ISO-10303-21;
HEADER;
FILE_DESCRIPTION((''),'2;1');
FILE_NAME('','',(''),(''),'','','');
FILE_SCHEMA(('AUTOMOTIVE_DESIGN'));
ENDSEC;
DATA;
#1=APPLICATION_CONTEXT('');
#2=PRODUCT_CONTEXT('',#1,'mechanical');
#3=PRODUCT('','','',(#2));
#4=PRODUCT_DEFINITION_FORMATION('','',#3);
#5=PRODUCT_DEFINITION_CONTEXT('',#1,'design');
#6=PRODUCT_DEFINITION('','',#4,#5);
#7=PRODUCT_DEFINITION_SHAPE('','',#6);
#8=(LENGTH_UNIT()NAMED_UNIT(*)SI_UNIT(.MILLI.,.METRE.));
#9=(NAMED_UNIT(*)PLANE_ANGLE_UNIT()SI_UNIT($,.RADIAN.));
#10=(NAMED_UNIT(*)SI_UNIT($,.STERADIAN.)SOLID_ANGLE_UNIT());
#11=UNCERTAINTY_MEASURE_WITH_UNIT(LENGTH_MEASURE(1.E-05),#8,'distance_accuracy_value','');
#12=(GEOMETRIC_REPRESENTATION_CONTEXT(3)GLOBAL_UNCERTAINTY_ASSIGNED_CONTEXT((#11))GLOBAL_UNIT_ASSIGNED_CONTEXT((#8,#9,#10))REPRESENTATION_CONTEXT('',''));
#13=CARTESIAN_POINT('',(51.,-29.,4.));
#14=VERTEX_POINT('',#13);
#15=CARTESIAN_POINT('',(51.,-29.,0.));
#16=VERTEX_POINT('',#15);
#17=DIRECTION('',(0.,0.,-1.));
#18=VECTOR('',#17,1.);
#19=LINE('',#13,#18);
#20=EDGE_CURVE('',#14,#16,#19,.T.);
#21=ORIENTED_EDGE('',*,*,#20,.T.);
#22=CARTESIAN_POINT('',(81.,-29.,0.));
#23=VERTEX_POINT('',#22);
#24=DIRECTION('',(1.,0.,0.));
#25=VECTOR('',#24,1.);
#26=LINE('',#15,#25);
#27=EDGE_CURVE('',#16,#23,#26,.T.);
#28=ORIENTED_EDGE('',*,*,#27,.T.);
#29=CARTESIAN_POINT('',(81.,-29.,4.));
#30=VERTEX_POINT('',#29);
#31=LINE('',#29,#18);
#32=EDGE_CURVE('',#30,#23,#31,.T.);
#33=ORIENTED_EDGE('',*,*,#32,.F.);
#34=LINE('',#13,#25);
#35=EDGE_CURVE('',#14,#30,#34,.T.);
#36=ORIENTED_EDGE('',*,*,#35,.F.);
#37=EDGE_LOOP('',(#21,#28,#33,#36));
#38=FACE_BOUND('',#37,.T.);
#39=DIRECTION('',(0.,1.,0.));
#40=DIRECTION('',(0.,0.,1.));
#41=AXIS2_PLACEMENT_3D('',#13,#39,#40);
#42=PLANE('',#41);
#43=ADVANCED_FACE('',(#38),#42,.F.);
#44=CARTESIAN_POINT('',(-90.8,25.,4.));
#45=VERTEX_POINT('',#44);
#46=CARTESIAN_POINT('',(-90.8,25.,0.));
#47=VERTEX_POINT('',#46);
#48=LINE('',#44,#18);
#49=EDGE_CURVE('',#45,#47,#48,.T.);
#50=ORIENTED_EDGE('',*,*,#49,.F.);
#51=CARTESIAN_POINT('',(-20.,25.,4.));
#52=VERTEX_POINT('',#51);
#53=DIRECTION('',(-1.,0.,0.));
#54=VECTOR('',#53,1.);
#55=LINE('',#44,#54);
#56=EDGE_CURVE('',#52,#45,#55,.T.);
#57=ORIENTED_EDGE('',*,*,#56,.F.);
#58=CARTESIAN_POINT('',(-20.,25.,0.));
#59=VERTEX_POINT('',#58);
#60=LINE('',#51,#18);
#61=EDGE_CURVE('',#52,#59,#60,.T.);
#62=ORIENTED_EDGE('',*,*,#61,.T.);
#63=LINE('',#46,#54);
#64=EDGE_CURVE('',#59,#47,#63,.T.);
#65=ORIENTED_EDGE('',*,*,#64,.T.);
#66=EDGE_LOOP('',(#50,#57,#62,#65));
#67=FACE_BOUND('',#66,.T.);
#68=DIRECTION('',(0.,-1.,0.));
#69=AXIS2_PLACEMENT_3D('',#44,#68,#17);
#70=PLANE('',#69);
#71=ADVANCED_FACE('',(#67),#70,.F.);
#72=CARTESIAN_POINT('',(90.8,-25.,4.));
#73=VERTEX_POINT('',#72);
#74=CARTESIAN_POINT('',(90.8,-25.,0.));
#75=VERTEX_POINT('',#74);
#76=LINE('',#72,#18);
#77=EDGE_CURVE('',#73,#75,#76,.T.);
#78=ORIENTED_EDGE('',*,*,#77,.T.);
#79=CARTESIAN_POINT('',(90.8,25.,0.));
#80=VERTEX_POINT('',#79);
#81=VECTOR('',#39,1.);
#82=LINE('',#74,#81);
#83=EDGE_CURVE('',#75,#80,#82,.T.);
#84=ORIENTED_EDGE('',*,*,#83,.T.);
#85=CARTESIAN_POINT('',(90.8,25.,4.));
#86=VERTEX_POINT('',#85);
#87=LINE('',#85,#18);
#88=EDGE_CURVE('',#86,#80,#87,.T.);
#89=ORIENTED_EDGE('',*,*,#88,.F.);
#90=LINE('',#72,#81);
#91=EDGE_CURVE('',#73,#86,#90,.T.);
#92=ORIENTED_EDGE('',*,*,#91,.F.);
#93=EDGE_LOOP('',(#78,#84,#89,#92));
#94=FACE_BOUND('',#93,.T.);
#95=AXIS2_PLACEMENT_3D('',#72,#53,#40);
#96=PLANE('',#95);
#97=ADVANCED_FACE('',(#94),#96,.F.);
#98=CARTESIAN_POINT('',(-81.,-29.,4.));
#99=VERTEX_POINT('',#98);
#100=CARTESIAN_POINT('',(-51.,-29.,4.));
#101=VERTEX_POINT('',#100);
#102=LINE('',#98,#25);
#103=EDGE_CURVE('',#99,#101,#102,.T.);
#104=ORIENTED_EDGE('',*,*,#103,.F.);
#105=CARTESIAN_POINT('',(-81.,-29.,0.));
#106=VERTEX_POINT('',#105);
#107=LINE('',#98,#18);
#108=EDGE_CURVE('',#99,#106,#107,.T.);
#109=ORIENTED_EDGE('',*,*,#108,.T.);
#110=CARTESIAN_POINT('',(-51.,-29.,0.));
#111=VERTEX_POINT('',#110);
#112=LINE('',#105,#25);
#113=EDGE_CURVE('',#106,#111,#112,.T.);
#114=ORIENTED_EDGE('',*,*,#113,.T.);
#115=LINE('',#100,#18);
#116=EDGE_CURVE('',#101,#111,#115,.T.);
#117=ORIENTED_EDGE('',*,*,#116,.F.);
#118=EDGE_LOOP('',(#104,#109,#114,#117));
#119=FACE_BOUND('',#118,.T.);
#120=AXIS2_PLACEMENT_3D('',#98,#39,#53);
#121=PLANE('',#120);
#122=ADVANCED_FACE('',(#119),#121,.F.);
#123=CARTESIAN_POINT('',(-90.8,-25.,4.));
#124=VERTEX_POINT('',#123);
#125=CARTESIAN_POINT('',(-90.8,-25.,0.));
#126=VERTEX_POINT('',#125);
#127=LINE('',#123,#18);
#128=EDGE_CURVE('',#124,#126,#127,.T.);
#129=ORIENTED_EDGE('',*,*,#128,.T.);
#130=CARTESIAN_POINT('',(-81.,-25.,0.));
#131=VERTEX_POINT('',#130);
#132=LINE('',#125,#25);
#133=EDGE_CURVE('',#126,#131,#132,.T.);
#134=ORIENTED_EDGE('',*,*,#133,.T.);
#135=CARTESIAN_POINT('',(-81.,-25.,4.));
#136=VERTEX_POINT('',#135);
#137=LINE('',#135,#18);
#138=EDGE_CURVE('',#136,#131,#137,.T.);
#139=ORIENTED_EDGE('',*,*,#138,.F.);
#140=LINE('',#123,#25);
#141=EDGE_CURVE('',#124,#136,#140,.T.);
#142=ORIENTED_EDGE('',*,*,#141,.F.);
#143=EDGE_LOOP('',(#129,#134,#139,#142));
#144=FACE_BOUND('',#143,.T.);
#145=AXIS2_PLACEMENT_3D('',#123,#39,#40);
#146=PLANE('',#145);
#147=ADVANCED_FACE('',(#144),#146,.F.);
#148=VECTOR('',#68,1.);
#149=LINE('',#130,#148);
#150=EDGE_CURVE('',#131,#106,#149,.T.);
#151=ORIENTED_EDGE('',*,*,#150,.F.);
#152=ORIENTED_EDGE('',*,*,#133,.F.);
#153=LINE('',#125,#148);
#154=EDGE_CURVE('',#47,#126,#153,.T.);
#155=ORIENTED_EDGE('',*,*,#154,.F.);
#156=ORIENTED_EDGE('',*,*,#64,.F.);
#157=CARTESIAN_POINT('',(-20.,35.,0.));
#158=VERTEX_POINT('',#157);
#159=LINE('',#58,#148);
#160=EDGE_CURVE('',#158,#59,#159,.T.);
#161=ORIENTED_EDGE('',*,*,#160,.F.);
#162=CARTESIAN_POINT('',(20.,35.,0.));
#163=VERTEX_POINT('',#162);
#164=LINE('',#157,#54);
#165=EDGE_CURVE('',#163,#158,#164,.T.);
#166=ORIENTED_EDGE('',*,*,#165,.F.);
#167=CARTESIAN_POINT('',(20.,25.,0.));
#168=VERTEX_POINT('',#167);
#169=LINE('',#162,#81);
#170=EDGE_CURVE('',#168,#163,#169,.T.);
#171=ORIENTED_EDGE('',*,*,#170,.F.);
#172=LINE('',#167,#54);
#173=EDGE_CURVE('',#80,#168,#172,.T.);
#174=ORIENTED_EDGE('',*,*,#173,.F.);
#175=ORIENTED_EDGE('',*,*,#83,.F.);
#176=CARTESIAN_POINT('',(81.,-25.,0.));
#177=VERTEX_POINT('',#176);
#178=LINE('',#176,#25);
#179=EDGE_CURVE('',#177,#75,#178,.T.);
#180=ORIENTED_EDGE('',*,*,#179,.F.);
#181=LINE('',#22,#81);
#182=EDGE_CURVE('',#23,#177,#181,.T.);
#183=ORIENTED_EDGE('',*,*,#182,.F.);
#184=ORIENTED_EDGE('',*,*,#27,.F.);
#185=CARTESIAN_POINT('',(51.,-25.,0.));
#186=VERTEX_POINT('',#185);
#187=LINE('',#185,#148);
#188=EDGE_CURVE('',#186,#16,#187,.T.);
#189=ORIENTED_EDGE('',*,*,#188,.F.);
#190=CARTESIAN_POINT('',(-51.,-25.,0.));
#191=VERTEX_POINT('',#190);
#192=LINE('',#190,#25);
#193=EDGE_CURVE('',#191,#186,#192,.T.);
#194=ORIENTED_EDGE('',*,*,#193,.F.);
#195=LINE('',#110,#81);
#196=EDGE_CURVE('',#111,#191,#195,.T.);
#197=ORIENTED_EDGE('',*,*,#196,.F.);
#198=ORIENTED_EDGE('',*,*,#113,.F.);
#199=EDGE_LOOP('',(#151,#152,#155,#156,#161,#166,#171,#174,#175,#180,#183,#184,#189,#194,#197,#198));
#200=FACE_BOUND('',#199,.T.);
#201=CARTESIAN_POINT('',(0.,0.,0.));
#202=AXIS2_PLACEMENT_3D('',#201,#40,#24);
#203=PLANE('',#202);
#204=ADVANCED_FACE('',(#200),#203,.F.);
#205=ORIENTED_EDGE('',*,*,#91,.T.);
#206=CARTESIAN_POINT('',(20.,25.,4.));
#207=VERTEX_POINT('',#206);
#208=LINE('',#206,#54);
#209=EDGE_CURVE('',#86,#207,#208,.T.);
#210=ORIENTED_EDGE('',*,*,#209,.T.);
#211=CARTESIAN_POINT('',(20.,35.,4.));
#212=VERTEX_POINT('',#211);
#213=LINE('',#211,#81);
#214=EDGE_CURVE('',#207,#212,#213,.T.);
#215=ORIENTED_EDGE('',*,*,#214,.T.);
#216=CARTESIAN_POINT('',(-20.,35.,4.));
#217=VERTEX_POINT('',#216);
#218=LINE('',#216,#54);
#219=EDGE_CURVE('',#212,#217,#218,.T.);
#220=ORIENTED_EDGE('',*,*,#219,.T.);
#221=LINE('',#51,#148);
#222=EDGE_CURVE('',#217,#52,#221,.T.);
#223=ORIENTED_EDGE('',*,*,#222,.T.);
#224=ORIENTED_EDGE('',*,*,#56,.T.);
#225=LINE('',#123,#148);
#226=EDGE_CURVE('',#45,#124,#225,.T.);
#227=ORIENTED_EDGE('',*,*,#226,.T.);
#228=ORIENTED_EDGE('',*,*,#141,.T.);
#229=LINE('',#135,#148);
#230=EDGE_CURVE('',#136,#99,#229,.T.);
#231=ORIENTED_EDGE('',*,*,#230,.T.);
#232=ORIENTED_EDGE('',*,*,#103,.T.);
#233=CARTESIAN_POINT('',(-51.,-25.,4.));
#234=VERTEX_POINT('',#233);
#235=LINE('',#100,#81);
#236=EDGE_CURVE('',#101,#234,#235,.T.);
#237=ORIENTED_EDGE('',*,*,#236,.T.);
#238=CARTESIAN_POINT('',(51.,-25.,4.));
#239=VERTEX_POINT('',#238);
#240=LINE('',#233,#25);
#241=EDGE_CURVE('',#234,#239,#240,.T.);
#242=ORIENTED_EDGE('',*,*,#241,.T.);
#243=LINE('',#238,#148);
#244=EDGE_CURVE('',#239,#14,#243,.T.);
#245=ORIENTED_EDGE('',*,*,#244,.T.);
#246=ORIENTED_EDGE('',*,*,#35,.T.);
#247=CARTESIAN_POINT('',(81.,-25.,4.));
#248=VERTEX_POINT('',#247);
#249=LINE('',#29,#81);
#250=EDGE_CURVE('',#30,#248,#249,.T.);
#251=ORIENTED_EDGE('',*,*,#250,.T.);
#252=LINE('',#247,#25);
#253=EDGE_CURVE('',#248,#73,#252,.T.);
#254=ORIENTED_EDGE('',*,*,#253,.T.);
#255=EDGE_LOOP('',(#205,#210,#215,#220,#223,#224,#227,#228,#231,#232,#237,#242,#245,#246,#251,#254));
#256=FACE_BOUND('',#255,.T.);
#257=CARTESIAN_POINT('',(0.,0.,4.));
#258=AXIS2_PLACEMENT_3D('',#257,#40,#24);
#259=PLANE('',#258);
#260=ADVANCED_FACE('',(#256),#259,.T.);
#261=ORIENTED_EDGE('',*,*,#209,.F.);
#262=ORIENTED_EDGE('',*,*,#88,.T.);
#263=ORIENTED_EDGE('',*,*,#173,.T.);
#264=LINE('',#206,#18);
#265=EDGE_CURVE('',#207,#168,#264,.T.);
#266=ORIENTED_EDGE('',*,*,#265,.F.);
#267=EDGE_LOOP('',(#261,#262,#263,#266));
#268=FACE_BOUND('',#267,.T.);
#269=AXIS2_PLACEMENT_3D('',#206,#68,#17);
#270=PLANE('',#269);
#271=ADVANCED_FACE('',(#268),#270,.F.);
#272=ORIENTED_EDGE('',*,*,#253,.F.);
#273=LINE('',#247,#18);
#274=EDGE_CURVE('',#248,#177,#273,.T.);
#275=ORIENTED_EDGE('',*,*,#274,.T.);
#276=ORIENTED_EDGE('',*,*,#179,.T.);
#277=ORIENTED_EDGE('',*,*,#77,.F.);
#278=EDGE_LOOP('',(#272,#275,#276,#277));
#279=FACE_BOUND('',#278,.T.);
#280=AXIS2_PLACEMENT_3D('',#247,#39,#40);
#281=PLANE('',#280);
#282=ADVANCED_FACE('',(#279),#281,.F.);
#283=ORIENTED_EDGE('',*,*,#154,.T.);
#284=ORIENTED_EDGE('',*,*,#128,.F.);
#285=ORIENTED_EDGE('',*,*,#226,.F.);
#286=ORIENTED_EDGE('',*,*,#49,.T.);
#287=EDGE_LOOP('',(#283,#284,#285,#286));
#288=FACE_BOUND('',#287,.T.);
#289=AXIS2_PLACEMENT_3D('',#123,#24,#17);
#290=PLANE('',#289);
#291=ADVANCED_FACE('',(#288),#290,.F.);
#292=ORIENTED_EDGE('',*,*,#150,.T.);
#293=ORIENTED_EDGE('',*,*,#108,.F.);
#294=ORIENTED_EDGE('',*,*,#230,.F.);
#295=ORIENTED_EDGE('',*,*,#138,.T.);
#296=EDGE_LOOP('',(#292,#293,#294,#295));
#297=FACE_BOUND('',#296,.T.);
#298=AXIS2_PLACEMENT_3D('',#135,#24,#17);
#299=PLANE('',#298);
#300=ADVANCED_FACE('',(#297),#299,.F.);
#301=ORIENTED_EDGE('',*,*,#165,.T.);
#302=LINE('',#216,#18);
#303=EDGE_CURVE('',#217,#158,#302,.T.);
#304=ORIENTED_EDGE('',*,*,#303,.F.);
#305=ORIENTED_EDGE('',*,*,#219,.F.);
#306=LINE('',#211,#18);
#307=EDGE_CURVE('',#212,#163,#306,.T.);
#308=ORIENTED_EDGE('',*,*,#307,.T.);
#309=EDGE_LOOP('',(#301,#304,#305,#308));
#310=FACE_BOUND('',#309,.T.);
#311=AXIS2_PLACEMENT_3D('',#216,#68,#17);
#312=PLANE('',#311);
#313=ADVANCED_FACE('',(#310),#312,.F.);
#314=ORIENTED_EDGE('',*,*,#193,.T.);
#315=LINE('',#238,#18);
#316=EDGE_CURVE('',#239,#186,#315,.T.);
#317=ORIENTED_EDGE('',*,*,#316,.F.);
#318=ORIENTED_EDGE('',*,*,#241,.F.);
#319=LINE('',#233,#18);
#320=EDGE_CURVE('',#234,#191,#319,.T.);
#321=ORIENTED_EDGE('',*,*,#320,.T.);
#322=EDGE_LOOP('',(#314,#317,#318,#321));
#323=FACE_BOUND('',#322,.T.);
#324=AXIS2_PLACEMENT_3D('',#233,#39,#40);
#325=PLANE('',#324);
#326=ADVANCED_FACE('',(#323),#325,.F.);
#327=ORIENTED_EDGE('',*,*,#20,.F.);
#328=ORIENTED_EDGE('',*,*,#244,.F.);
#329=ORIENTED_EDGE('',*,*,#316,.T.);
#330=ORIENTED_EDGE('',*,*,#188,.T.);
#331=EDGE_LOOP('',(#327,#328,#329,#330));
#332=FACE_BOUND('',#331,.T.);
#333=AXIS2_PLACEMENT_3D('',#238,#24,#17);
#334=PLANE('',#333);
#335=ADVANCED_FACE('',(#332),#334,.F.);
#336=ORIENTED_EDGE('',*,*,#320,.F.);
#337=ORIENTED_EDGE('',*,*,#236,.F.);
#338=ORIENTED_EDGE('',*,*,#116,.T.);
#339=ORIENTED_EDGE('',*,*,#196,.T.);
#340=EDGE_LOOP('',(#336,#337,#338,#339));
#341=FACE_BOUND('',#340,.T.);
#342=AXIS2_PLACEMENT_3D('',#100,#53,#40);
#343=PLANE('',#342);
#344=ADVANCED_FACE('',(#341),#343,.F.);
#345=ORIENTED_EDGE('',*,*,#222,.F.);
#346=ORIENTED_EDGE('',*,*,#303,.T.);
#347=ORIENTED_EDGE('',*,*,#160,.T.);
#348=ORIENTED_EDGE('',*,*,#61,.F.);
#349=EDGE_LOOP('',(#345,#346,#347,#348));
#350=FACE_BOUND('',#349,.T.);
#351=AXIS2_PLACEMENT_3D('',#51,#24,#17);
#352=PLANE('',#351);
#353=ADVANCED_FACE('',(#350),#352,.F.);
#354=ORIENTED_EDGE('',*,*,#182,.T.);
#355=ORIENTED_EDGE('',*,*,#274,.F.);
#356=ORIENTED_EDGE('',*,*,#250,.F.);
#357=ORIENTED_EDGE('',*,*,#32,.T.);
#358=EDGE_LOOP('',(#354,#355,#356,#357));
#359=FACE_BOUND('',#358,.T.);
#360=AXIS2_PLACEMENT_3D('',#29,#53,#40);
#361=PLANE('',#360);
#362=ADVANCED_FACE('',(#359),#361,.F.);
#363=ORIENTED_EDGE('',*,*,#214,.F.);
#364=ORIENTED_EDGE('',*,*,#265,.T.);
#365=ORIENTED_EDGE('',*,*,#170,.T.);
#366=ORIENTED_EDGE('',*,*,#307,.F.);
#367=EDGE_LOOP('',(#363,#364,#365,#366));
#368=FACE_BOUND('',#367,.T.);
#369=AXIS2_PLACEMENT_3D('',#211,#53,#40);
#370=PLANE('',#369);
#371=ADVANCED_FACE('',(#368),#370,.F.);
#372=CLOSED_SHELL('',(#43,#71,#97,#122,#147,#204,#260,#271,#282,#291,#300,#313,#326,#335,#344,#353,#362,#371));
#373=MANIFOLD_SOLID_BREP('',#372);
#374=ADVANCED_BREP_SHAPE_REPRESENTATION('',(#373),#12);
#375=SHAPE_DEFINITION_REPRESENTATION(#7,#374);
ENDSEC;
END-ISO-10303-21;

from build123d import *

# Parameters (mm, degrees)
SALIENTE_EXTRUIR1_DEPTH = 4


with BuildPart() as part:
    # Croquis1 → Saliente-Extruir1 (new body)
    with BuildSketch(Plane.XY):
        Polygon((-81, -25), (-81, -29), (-51, -29), (-51, -25), (51, -25), (51, -29), (81, -29), (81, -25), (90.8, -25), (90.8, 25), (20, 25), (20, 35), (-20, 35), (-20, 25), (-90.8, 25), (-90.8, -25), align=None)
    extrude(amount=SALIENTE_EXTRUIR1_DEPTH)


solid = part.part
